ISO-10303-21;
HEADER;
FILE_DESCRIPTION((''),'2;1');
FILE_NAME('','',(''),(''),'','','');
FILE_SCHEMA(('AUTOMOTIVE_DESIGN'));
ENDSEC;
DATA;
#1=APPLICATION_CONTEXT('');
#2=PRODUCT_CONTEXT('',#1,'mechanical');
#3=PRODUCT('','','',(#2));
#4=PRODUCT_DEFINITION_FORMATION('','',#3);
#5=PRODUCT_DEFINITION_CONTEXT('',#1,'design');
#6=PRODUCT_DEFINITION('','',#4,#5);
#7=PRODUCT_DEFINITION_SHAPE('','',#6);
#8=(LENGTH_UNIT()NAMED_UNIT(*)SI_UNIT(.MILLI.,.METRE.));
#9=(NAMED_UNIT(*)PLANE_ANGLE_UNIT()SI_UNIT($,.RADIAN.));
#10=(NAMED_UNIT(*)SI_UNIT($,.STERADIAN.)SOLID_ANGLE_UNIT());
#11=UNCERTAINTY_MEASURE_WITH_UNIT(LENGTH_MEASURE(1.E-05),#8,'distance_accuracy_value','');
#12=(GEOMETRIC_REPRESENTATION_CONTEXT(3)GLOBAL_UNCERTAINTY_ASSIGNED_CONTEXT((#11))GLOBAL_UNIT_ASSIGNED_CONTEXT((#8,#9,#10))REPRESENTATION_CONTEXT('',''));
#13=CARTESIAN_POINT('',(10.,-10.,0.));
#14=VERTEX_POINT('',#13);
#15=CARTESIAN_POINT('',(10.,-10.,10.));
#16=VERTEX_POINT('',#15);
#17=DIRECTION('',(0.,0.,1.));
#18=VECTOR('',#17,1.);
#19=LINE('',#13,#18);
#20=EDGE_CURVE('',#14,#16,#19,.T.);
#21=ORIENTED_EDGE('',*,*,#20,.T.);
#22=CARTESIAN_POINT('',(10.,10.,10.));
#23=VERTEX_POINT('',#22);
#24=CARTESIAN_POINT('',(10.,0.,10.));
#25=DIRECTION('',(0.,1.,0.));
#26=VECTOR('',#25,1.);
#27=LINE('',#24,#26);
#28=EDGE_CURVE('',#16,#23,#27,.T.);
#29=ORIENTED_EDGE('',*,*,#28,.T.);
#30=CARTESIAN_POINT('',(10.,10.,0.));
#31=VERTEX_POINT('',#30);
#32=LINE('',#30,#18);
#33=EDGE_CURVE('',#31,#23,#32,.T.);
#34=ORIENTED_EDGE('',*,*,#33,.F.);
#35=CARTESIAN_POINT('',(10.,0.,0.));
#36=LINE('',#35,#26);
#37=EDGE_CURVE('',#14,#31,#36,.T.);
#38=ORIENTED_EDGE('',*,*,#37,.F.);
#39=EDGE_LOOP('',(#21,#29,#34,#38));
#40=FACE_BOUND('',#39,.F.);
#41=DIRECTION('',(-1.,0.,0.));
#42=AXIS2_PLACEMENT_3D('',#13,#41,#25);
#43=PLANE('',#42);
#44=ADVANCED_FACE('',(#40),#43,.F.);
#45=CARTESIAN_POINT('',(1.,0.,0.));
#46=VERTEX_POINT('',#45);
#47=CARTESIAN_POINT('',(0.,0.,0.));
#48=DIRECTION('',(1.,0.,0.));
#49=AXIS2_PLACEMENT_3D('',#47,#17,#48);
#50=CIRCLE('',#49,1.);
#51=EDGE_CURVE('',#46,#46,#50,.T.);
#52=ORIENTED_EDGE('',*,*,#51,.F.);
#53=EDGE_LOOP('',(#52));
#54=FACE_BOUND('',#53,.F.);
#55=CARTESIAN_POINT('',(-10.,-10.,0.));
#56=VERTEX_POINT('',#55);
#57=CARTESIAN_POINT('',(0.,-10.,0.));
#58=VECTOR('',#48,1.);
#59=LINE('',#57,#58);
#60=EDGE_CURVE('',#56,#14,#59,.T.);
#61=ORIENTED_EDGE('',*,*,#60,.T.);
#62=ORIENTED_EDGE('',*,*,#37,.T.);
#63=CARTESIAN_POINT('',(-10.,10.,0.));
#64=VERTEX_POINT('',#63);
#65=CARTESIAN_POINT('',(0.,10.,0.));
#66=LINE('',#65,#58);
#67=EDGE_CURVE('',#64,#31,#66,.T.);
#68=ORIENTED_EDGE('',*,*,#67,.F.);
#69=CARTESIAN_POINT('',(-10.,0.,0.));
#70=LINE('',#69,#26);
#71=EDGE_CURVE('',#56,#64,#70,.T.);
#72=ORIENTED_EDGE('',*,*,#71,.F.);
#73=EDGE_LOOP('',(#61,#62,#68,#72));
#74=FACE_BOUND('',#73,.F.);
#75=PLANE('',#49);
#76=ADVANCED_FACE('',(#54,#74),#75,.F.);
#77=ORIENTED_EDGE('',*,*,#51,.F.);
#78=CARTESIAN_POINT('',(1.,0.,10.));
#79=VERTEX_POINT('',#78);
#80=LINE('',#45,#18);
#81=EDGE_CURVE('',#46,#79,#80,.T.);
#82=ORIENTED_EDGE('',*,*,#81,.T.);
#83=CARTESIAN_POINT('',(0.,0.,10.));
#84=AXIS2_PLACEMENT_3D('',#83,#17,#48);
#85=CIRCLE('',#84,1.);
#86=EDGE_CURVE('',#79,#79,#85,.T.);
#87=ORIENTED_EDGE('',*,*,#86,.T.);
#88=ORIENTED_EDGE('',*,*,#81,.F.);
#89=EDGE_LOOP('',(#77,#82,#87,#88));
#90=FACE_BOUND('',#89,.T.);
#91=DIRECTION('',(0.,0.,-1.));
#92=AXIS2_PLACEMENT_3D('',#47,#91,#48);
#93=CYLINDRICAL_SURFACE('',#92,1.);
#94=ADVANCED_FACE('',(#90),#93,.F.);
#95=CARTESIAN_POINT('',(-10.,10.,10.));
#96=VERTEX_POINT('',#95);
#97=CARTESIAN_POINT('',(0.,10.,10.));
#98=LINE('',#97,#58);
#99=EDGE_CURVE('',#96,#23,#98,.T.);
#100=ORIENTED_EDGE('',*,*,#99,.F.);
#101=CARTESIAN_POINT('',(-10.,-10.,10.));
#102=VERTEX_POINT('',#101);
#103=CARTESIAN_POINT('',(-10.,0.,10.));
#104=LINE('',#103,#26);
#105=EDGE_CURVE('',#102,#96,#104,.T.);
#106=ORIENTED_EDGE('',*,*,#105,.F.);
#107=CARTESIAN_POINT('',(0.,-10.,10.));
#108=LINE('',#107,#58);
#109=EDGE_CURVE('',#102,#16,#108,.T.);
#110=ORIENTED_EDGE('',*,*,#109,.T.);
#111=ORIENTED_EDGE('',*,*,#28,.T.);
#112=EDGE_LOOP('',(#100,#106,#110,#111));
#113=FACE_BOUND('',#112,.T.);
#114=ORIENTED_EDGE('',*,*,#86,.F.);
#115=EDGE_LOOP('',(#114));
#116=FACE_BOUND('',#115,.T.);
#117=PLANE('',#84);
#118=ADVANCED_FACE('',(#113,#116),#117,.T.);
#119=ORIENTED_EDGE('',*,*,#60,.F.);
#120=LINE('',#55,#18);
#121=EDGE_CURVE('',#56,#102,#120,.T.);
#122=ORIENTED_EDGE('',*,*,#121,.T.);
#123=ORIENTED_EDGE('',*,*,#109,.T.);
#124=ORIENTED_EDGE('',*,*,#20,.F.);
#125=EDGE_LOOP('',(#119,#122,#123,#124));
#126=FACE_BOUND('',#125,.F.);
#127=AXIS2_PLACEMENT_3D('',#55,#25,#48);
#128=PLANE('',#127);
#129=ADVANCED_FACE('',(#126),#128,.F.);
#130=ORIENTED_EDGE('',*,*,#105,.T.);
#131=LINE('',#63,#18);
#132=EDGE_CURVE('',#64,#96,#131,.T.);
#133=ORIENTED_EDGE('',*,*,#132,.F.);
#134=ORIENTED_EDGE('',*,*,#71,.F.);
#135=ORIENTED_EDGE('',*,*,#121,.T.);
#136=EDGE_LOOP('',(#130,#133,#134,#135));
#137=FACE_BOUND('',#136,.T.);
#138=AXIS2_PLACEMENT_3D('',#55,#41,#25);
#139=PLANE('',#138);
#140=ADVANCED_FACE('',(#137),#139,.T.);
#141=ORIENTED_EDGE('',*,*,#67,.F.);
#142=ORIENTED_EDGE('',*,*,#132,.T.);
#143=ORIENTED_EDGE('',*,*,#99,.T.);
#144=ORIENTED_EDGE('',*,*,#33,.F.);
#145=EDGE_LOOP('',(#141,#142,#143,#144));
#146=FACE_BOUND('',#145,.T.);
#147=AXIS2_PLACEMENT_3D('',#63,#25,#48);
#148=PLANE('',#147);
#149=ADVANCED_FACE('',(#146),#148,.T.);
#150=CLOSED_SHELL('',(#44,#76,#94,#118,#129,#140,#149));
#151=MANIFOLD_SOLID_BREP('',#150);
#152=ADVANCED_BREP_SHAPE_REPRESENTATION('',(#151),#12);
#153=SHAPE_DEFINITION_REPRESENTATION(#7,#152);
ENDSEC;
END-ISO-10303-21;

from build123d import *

# Parameters (mm, degrees)
SKETCH_W      = 20
SKETCH_H      = 20
SKETCH_R      = 1
EXTRUDE_DEPTH = 10


with BuildPart() as part:
    # Sketch → Extrude (new body)
    with BuildSketch(Plane.XY):
        Rectangle(SKETCH_W, SKETCH_H)
        Circle(SKETCH_R, mode=Mode.SUBTRACT)
    extrude(amount=EXTRUDE_DEPTH)


solid = part.part
